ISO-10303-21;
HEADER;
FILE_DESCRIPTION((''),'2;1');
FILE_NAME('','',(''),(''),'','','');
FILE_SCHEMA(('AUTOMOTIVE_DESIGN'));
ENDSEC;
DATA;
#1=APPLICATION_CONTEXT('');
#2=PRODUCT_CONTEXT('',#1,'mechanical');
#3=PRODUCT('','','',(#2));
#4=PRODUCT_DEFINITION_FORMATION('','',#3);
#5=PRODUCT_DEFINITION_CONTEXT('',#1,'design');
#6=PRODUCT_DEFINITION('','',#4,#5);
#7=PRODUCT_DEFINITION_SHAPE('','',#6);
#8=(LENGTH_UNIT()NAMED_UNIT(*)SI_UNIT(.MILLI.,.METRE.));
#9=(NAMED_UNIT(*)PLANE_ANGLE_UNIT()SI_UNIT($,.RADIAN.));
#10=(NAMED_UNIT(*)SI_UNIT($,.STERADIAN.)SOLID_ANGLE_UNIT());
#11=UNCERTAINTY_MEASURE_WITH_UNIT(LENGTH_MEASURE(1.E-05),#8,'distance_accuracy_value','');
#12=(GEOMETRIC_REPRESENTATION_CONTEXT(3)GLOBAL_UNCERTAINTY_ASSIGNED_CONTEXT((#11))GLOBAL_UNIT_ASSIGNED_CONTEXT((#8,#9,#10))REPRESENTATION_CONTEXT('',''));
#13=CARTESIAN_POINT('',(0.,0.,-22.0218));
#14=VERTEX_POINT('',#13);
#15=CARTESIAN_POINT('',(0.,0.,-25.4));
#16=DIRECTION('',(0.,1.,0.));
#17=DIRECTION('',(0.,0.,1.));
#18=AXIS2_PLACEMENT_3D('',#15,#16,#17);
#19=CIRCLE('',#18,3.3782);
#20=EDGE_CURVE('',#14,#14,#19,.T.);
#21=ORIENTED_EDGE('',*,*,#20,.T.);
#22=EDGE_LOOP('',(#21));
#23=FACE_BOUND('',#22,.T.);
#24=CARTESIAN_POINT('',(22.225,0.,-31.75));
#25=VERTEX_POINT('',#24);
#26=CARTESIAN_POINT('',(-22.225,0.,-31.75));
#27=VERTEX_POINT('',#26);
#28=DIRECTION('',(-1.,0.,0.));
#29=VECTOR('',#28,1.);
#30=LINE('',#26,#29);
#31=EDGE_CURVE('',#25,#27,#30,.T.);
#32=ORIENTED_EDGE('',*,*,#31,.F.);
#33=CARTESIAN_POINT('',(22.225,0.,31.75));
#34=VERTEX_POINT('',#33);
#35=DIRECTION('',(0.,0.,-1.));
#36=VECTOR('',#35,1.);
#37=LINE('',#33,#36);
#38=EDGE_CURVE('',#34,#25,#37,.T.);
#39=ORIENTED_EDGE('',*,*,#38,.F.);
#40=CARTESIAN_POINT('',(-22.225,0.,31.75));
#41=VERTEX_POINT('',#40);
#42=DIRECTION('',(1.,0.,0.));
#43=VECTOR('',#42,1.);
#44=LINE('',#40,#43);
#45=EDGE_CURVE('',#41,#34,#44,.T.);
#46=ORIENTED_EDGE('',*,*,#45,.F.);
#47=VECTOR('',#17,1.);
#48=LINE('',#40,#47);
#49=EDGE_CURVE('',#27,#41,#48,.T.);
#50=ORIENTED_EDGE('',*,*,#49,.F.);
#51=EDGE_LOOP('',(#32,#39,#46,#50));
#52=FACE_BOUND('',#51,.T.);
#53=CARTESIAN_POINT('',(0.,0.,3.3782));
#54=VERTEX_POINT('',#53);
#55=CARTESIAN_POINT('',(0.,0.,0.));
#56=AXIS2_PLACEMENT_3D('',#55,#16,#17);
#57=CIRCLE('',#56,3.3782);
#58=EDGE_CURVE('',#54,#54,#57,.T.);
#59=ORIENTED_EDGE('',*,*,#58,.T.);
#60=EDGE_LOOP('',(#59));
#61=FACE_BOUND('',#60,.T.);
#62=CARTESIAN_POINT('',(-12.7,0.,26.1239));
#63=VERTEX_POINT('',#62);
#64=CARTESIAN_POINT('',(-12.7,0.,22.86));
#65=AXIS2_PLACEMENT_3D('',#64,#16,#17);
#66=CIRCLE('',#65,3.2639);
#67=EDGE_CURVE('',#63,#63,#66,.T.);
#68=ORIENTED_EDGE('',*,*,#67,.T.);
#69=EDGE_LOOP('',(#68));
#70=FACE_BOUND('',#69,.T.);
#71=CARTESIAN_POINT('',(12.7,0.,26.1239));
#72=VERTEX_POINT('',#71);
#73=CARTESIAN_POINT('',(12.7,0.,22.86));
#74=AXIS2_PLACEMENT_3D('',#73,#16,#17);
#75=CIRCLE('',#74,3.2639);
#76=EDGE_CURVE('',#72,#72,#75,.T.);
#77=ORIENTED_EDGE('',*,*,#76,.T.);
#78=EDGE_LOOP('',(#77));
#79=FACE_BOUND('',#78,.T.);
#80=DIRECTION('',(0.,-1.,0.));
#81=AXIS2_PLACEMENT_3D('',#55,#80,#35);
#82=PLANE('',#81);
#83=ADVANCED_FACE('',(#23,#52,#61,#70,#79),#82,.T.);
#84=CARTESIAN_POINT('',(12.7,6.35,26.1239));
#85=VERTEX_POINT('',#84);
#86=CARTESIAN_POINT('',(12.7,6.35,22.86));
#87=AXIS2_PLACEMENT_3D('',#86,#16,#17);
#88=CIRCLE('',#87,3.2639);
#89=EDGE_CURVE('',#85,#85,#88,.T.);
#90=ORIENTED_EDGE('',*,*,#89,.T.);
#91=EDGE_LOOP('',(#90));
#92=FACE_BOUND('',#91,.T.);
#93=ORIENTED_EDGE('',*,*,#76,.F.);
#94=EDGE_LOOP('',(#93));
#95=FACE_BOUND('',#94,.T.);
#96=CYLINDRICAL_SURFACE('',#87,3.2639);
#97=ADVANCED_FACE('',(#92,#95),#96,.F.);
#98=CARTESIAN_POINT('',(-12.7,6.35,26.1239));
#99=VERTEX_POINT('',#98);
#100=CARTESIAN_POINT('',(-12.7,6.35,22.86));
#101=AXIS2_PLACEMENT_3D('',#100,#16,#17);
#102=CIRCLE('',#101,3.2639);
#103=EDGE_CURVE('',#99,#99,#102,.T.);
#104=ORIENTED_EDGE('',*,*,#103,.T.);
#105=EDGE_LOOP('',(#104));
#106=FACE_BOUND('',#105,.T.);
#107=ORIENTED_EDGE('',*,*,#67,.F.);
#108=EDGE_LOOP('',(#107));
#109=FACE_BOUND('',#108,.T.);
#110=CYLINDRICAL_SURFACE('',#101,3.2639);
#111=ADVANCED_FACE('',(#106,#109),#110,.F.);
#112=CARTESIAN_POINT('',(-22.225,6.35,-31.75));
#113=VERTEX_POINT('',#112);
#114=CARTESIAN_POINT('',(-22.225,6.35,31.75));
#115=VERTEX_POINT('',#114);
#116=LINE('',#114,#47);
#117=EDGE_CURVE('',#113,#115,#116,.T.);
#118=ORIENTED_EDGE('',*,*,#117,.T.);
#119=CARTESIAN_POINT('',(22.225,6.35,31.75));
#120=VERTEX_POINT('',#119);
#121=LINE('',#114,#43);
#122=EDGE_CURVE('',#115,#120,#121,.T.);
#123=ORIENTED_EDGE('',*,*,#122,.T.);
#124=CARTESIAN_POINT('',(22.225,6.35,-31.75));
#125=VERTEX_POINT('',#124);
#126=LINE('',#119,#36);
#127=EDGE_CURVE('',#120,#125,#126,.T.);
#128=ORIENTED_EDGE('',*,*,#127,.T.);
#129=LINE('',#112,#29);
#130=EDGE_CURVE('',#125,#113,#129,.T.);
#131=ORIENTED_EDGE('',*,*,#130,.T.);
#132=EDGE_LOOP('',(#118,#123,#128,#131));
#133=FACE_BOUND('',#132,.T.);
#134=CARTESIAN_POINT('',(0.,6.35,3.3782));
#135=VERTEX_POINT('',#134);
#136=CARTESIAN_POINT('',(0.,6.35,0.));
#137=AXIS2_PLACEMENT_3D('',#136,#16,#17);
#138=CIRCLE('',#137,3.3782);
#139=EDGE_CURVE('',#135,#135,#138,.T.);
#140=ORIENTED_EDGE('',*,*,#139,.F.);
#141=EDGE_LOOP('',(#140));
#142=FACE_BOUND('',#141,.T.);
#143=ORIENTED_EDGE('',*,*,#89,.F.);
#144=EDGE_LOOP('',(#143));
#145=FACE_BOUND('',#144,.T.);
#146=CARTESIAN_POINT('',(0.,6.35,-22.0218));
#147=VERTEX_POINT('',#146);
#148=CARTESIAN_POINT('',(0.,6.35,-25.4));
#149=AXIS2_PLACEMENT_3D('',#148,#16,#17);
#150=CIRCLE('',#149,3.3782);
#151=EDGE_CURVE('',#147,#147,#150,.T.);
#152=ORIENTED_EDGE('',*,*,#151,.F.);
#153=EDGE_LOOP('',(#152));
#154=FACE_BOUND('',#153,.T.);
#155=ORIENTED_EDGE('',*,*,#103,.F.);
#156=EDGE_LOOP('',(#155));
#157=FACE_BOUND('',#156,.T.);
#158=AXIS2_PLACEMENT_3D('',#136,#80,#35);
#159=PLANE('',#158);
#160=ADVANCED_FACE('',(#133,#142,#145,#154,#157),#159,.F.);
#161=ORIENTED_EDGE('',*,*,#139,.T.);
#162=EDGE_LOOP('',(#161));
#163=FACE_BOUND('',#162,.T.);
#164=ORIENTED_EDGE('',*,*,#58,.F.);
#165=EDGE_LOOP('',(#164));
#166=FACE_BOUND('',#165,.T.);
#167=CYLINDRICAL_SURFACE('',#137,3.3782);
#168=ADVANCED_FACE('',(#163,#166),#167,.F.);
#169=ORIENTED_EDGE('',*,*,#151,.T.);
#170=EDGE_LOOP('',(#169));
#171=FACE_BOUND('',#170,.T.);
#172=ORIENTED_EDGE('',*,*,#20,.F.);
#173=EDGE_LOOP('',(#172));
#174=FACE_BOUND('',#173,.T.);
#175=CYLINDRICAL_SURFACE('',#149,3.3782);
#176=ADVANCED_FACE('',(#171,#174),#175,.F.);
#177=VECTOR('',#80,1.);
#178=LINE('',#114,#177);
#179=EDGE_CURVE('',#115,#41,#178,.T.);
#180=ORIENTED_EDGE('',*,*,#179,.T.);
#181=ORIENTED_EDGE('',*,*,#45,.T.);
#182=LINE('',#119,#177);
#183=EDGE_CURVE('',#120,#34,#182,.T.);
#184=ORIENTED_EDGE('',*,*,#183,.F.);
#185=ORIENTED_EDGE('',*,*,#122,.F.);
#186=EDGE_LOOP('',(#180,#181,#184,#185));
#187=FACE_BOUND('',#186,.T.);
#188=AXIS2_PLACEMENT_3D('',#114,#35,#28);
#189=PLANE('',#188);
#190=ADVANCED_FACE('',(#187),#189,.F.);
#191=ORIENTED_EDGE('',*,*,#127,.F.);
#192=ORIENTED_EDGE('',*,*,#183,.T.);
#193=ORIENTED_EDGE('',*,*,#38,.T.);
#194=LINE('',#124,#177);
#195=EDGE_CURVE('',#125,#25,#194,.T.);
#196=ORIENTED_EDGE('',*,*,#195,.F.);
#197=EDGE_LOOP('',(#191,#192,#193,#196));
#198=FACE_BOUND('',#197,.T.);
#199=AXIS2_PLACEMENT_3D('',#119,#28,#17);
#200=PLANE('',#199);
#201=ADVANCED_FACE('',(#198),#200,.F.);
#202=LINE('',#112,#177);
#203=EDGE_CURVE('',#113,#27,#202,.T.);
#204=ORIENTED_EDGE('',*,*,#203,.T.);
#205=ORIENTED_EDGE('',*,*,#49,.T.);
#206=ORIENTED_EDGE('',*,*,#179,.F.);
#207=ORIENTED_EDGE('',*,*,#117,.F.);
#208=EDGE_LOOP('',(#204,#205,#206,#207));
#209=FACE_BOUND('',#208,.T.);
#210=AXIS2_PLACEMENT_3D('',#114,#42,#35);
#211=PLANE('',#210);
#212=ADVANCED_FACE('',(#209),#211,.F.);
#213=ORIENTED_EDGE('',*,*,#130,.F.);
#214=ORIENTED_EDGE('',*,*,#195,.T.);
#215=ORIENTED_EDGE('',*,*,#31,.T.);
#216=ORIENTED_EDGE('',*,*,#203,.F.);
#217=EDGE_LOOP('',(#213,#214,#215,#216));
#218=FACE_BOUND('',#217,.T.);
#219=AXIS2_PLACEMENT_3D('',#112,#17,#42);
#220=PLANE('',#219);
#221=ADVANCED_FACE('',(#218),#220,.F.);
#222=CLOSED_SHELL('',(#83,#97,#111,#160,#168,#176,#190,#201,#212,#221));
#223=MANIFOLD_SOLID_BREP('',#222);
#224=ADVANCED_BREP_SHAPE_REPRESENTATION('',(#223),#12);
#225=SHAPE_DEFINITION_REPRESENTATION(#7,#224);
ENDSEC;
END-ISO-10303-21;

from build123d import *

# Parameters (mm, degrees)
SKETCH1_W               = 44.45
SKETCH1_H               = 63.5
BOSS_EXTRUDE1_DEPTH     = 6.35
F_1_4_CLEARANCE_HOLE1_D = 6.7564
F_1_4_CLEARANCE_HOLE3_D = 6.5278


with BuildPart() as part:
    # Sketch1 → Boss-Extrude1 (new body)
    with BuildSketch(Plane(origin=(0, 0, 0), x_dir=(1, 0, 0), z_dir=(0, 1, 0))):
        Rectangle(SKETCH1_W, SKETCH1_H)
    extrude(amount=BOSS_EXTRUDE1_DEPTH)

    # 1/4 Clearance Hole1 (through all)
    with Locations(Plane(origin=(0, 6.35, 0), x_dir=(1, 0, 0), z_dir=(0, 1, 0))):
        with Locations((0, 25.4), (0, 0)):
            Hole(F_1_4_CLEARANCE_HOLE1_D / 2)

    # 1/4 Clearance Hole3 (through all)
    with Locations(Plane(origin=(0, 6.35, 0), x_dir=(1, 0, 0), z_dir=(0, 1, 0))):
        with Locations((-12.7, -22.86), (12.7, -22.86)):
            Hole(F_1_4_CLEARANCE_HOLE3_D / 2)


solid = part.part
